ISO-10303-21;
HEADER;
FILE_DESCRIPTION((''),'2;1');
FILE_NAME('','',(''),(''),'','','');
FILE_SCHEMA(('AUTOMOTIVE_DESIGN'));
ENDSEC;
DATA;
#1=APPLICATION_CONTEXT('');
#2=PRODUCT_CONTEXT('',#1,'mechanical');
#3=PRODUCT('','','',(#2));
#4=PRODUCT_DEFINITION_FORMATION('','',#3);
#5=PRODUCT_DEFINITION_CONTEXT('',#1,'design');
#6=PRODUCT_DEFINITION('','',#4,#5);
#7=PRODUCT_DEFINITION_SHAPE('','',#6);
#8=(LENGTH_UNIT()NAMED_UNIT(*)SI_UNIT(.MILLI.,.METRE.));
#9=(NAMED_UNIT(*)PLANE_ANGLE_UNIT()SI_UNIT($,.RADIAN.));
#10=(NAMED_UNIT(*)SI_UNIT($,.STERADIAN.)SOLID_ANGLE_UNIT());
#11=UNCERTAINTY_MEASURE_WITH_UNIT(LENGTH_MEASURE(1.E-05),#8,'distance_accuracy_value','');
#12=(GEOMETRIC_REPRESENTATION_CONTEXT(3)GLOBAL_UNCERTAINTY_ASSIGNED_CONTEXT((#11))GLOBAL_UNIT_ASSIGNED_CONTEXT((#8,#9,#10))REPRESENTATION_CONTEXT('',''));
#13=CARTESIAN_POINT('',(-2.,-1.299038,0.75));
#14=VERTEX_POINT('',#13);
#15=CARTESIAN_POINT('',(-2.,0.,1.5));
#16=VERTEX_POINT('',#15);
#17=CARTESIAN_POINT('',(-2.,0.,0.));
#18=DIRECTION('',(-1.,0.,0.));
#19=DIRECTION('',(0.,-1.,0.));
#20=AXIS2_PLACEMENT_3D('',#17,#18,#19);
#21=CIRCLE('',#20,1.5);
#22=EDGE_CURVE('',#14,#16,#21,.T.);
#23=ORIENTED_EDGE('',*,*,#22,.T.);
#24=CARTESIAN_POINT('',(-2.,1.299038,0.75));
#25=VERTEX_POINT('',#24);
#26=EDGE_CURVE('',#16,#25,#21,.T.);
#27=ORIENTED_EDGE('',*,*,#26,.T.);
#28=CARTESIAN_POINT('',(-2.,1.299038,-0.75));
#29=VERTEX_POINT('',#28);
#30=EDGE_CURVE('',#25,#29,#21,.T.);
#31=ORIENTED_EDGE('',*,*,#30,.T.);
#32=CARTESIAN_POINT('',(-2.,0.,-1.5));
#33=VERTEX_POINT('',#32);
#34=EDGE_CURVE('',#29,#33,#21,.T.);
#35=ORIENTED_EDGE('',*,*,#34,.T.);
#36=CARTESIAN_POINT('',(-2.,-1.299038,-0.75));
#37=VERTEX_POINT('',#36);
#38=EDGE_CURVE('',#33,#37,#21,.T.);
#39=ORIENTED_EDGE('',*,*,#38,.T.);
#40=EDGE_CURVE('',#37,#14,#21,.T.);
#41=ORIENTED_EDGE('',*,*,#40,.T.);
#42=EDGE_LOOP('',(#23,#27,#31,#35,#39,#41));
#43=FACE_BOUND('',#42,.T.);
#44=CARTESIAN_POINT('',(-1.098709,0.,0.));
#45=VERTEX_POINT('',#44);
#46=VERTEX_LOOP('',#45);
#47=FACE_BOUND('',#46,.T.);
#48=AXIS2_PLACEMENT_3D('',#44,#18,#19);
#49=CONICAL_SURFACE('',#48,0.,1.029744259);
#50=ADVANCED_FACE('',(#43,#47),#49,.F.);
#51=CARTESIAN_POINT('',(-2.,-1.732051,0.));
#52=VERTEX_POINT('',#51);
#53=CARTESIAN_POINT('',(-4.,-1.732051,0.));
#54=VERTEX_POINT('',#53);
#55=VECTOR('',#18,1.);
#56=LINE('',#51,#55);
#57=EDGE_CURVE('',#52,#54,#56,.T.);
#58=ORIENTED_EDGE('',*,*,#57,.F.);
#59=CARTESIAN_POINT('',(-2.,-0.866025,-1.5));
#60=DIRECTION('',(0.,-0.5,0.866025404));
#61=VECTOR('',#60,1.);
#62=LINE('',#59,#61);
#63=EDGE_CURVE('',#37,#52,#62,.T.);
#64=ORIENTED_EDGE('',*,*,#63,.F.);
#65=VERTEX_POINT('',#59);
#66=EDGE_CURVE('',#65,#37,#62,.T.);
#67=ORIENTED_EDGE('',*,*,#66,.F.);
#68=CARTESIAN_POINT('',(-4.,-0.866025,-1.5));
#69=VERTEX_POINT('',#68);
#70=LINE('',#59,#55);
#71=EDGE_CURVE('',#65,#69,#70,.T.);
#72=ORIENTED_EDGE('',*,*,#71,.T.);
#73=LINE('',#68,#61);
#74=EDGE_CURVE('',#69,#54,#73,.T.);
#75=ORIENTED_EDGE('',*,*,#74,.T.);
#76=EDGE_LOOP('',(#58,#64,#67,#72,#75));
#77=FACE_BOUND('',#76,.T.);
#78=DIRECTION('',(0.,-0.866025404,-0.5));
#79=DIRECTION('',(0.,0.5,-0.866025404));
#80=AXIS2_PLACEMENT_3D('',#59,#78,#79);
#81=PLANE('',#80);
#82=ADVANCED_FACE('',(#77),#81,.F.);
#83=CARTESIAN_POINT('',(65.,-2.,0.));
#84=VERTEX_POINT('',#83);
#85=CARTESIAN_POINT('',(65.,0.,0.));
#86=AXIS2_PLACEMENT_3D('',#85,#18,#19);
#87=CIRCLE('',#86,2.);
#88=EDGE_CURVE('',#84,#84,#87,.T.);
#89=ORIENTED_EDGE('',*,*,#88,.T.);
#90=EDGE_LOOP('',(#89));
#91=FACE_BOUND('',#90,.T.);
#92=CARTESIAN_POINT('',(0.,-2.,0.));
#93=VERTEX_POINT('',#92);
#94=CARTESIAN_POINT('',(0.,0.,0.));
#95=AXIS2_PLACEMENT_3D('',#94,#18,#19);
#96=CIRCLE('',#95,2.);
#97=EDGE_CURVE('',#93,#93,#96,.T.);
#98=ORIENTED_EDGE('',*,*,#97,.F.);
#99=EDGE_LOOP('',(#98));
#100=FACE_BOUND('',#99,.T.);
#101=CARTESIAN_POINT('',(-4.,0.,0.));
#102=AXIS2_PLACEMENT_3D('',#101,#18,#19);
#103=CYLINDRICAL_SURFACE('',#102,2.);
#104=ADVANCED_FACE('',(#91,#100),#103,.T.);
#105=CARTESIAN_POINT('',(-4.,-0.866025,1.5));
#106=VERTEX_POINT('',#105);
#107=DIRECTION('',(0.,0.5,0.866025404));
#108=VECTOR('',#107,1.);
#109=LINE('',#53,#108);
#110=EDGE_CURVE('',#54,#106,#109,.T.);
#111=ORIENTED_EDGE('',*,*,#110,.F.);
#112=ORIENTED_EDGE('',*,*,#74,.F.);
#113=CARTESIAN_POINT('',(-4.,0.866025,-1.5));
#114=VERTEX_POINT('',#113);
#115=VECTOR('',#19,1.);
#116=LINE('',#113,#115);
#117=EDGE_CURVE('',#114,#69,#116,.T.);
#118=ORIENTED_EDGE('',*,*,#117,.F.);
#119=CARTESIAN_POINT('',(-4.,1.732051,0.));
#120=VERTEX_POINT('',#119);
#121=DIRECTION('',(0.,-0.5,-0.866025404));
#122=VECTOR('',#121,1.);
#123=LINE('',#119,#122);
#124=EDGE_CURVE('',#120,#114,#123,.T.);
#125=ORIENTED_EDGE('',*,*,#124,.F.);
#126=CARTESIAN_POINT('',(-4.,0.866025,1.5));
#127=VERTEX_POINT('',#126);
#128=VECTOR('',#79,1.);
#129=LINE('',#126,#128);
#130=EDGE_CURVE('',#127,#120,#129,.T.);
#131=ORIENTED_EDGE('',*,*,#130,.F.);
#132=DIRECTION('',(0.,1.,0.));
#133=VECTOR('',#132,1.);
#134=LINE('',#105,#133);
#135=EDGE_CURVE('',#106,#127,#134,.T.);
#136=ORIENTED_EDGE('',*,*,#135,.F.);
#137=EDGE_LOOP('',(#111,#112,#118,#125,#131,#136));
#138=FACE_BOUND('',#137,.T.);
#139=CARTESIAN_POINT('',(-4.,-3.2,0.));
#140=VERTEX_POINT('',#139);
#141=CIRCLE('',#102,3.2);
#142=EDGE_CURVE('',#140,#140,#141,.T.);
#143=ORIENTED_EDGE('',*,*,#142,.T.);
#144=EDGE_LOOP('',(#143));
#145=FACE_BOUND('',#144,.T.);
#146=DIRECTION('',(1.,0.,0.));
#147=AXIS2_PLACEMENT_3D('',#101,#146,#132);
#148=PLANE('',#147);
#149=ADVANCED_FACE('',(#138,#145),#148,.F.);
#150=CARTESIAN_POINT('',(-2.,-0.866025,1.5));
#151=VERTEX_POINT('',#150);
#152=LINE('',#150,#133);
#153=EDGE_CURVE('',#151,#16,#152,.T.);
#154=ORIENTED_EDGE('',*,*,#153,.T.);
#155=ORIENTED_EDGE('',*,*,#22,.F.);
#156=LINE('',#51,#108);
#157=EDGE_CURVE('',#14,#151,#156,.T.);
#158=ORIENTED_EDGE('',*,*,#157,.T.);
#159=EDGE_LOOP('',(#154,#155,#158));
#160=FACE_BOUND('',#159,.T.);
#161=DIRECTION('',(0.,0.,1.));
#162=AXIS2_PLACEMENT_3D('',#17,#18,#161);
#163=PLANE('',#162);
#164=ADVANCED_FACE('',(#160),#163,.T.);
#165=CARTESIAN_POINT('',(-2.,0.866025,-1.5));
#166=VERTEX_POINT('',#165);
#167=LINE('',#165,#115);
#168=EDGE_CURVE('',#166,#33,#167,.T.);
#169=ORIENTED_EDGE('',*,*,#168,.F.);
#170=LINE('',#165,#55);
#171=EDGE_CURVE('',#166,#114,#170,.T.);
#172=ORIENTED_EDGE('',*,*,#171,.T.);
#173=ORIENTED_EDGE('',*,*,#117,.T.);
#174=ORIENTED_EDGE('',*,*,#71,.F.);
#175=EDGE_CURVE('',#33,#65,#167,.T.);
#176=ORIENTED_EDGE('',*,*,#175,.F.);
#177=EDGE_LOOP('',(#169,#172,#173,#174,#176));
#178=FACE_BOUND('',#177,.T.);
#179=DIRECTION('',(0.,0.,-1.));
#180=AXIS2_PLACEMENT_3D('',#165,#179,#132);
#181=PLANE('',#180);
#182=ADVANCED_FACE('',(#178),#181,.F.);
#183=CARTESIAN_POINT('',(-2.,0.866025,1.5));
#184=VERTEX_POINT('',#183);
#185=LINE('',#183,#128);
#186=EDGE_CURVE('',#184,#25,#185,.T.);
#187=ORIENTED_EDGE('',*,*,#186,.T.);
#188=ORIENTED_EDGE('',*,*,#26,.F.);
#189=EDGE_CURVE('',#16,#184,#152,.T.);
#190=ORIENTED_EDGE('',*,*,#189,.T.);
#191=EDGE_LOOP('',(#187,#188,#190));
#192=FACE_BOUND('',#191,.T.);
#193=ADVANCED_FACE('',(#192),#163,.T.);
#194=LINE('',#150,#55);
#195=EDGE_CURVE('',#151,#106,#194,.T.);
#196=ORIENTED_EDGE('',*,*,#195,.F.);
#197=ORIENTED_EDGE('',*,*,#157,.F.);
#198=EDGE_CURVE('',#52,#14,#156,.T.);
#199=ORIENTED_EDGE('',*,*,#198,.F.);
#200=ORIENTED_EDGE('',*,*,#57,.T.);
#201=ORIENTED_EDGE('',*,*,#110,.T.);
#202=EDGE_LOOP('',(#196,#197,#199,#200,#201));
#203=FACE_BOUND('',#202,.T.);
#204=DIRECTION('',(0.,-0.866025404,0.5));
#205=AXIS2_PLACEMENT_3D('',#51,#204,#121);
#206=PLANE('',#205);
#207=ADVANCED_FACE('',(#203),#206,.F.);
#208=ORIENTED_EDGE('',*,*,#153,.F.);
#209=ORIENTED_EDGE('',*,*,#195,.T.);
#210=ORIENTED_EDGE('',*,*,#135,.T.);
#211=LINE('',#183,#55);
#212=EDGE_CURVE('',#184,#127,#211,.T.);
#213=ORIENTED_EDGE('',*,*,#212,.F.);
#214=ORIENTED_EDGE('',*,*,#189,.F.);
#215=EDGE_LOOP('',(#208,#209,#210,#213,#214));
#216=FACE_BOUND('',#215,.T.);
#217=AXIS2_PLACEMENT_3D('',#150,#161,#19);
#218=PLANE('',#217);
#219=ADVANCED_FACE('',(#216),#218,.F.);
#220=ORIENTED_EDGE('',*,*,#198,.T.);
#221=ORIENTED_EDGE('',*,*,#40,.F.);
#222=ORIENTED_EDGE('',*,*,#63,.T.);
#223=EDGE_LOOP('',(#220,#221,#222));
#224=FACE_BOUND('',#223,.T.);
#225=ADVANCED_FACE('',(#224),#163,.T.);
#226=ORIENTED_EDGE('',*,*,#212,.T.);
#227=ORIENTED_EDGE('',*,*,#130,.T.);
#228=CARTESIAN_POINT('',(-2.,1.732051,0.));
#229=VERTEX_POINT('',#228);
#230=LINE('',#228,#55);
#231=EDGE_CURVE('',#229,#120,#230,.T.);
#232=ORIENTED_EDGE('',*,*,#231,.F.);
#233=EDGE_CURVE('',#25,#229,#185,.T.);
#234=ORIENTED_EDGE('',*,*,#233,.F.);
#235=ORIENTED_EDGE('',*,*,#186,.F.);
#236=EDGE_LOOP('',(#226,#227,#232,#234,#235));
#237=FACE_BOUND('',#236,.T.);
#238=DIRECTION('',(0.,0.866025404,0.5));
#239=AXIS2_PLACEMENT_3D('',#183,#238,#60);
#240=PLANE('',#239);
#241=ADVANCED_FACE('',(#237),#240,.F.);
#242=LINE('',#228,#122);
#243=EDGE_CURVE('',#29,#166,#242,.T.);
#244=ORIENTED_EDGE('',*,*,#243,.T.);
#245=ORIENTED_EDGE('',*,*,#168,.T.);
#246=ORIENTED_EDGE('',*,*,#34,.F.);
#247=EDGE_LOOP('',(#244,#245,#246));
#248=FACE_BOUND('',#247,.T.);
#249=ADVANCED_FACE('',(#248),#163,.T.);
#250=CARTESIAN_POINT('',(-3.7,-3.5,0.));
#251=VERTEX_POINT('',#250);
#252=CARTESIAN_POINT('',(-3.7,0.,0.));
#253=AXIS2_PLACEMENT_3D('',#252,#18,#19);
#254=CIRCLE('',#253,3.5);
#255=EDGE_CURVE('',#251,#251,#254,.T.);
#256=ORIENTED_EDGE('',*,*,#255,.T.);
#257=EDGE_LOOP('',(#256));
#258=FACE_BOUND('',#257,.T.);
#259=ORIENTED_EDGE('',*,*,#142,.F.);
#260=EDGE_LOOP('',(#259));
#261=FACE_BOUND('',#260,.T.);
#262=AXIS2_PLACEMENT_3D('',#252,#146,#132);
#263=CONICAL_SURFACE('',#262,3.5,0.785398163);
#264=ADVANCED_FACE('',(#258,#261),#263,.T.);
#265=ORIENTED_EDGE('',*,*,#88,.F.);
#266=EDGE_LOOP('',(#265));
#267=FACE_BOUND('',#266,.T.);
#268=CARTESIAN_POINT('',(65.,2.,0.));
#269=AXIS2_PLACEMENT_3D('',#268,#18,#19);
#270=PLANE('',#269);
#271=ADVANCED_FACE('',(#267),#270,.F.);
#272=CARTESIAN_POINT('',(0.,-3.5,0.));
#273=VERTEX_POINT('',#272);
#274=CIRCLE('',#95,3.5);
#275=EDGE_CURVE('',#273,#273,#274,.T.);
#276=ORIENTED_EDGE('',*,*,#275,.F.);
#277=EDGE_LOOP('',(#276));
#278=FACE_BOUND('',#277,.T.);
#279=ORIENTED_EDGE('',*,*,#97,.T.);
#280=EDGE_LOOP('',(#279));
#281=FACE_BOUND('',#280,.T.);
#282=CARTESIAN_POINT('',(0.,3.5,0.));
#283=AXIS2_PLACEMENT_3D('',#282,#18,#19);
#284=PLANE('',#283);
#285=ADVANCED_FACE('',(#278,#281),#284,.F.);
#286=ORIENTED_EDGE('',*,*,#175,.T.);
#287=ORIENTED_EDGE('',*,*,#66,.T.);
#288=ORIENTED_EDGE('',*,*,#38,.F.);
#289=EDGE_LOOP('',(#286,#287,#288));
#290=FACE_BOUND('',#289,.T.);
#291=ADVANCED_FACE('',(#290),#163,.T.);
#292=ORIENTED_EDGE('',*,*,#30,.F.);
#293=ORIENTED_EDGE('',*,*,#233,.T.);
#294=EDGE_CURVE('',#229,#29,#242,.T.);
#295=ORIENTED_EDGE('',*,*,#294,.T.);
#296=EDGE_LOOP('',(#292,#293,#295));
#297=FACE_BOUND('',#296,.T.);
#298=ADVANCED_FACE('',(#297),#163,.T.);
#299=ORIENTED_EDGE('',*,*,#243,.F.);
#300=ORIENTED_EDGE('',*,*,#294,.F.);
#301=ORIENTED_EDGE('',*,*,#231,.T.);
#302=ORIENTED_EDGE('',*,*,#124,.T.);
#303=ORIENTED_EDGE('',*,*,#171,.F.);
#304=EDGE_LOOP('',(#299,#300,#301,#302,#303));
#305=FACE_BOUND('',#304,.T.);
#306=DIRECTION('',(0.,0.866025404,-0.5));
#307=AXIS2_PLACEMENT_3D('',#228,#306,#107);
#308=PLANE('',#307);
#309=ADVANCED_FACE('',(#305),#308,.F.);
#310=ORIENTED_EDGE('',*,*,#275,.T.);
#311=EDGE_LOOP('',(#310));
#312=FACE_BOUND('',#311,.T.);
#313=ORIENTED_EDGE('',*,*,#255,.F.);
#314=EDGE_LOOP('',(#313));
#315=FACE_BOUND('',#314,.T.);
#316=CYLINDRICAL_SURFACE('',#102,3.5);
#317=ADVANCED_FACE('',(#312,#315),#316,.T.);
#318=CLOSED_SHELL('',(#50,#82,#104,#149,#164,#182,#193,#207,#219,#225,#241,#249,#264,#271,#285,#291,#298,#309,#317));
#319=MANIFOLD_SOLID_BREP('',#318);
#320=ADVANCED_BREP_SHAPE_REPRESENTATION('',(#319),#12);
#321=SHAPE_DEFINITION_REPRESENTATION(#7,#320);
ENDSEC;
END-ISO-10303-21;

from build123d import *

# Parameters (mm, degrees)
CUT_EXTRUDE1_DEPTH = 2


with BuildPart() as part:
    # Sketch1 → Revolve1 (revolve)
    with BuildSketch(Plane.XY, mode=Mode.PRIVATE) as revolve1_sk:
        Polygon((-4, 0), (-4, 3.2), (-3.7, 3.5), (0, 3.5), (0, 2), (65, 2), (65, 0), align=None)
    revolve(revolve1_sk.sketch.rotate(Axis((-4, 0, 0), (1, 0, 0)), 180), axis=Axis((-4, 0, 0), (1, 0, 0)))

    # Sketch2 → Cut-Extrude1 (cut)
    with BuildSketch(Plane.ZY.offset(4)):
        Polygon((0, 1.732050808), (-1.5, 0.866025404), (-1.5, -0.866025404), (0, -1.732050808), (1.5, -0.866025404), (1.5, 0.866025404), align=None)
    extrude(amount=-CUT_EXTRUDE1_DEPTH, mode=Mode.SUBTRACT)

    # Sketch3 → Cut-Revolve1 (revolve, cut)
    with BuildSketch(Plane.XY, mode=Mode.PRIVATE) as cut_revolve1_sk:
        Polygon((-2, 0), (-2, 1.5), (-1.098709071, 0), align=None)
    revolve(cut_revolve1_sk.sketch.rotate(Axis((-2, 0, 0), (1, 0, 0)), 180), axis=Axis((-2, 0, 0), (1, 0, 0)), mode=Mode.SUBTRACT)


solid = part.part
